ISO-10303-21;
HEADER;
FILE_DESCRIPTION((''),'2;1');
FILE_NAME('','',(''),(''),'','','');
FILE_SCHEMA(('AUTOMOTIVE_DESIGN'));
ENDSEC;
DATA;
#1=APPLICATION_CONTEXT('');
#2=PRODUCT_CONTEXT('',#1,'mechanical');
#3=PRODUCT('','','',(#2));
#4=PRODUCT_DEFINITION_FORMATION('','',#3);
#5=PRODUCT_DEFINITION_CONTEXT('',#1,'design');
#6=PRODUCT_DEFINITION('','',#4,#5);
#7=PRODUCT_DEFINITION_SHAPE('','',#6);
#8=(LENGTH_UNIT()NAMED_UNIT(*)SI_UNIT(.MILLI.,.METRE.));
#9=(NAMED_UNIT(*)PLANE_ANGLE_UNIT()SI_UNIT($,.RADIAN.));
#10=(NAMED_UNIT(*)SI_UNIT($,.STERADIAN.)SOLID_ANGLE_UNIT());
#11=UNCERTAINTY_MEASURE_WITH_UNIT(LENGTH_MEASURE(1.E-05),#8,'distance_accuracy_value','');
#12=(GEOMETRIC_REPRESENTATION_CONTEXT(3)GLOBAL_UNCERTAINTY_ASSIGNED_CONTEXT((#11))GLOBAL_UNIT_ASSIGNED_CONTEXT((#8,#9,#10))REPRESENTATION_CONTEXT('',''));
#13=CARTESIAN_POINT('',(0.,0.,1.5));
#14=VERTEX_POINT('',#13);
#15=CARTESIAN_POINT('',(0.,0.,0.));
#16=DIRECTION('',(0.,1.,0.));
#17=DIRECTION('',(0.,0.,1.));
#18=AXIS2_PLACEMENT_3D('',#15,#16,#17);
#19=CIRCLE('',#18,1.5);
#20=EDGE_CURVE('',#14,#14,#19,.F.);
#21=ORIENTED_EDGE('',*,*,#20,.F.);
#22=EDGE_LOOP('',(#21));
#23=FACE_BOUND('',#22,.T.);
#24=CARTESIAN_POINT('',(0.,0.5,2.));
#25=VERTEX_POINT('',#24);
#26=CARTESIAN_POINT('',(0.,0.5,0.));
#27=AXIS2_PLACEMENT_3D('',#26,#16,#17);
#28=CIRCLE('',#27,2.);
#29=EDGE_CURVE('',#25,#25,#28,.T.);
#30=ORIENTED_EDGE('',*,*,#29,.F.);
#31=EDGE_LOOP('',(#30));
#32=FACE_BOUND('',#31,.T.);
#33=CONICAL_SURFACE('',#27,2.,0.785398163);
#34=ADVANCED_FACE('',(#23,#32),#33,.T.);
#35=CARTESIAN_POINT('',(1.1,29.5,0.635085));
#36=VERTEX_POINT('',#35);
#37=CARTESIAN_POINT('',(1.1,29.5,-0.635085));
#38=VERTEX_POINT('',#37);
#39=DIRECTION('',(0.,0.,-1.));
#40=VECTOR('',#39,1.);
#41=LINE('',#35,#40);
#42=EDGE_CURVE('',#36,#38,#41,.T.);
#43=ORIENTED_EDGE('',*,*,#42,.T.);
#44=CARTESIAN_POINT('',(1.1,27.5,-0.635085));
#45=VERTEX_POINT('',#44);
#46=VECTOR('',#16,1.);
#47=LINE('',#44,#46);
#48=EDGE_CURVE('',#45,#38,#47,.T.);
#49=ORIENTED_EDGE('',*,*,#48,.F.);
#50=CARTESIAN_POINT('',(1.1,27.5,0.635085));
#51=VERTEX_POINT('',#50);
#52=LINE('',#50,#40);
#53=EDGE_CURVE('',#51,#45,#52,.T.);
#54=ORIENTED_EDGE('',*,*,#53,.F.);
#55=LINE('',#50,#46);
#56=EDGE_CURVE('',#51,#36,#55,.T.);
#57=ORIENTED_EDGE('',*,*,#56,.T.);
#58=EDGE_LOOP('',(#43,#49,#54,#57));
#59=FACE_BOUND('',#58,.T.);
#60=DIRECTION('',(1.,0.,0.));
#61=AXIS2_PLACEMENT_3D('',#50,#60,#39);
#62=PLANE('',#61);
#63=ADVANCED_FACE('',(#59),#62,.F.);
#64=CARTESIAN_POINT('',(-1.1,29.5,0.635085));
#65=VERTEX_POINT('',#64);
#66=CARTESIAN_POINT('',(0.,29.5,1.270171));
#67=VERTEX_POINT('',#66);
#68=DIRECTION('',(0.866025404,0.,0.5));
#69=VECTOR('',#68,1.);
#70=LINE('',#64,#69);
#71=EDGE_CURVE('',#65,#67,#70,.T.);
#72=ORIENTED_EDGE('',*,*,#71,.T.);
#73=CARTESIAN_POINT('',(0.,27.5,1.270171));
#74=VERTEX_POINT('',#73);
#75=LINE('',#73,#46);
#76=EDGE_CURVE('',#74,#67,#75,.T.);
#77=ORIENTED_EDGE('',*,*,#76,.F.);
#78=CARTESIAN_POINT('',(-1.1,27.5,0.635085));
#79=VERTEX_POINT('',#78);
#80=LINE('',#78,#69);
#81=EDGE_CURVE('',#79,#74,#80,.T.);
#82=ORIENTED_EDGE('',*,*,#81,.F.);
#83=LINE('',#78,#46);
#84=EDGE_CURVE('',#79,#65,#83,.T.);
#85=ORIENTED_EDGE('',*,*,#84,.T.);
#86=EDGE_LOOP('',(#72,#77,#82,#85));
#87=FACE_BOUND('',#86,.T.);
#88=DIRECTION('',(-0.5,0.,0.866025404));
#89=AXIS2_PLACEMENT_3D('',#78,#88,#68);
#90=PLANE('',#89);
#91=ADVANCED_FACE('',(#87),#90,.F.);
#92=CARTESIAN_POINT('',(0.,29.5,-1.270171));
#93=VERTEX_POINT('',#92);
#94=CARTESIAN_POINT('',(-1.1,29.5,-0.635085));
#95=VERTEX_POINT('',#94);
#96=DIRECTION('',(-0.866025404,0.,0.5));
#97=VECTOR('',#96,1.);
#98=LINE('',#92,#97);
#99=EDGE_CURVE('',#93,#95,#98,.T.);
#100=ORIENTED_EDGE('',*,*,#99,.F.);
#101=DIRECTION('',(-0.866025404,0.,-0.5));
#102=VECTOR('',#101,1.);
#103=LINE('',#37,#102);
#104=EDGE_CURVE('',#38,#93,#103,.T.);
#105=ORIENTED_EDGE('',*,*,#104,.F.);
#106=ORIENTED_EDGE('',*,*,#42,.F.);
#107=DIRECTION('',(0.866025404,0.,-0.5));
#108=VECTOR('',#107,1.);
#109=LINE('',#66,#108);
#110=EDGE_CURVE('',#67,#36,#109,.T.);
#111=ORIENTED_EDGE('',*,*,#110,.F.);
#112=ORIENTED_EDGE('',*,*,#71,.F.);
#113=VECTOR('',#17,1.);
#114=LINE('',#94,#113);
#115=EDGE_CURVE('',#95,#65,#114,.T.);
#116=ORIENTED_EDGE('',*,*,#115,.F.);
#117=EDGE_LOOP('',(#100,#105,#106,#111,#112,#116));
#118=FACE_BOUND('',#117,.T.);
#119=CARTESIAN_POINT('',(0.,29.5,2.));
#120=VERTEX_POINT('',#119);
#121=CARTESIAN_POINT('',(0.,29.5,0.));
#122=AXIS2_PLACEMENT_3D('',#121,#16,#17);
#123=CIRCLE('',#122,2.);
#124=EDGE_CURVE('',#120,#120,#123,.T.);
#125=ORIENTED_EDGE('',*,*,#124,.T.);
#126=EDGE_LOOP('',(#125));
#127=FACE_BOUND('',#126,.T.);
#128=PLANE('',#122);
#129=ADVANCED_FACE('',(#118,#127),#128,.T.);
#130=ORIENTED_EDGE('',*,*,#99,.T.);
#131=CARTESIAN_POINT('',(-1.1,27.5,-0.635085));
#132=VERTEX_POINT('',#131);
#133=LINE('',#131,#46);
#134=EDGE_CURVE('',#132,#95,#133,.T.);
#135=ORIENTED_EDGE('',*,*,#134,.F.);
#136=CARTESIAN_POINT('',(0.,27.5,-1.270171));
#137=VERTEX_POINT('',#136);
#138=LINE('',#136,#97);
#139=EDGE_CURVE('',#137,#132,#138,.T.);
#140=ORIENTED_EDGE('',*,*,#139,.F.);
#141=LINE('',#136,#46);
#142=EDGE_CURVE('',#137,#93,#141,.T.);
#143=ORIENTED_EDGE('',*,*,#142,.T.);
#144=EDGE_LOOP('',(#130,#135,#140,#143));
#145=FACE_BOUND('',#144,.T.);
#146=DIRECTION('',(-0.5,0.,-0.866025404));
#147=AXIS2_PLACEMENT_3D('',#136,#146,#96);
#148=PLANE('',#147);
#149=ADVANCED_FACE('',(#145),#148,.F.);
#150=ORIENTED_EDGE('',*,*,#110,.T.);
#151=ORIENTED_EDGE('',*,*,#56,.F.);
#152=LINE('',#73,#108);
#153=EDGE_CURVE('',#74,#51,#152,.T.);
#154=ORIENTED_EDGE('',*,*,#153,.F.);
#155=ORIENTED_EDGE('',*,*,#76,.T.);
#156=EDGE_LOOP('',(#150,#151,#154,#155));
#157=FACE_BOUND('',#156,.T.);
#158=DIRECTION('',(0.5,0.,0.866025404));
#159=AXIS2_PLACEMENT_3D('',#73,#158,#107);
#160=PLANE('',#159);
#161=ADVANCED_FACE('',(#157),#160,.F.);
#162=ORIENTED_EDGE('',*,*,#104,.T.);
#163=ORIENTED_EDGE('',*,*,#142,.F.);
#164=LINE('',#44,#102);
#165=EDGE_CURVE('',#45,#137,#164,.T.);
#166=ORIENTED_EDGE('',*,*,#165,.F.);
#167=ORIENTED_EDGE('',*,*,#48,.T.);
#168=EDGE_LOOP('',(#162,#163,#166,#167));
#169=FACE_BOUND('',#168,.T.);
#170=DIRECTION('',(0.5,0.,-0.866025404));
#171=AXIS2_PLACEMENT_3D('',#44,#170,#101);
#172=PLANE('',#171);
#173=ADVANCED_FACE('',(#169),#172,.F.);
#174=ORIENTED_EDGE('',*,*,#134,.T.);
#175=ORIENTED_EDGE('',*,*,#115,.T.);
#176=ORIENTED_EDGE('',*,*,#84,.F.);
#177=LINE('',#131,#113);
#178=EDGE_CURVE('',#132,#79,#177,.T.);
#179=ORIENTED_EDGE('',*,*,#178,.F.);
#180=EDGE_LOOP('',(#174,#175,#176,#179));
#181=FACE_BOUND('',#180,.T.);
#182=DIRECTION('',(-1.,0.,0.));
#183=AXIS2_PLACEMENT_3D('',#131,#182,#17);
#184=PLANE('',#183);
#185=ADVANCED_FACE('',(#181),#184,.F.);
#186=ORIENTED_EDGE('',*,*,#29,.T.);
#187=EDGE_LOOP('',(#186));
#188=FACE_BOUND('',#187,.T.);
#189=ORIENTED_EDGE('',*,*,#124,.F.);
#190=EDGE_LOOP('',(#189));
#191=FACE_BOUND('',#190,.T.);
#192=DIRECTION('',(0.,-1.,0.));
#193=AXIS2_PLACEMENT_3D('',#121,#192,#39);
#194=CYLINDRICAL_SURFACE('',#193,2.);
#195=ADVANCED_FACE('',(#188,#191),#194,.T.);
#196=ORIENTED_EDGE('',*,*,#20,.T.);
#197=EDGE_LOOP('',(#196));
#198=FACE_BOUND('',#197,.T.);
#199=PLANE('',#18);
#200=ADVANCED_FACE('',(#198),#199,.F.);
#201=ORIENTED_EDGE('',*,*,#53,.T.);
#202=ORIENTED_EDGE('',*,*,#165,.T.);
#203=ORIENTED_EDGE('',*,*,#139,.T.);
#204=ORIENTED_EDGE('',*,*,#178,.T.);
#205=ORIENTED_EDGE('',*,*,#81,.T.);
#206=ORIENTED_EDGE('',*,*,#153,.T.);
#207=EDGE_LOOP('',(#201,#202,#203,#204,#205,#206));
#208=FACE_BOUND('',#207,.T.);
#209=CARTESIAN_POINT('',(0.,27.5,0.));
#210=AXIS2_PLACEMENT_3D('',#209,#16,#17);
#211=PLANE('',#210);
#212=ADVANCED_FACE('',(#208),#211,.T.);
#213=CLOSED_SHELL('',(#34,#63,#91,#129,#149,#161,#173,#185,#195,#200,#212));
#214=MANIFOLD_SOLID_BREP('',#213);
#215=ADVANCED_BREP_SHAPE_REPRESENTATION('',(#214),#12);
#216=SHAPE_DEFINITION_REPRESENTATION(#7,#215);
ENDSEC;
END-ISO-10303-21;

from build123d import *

# Parameters (mm, degrees)
SKETCH1_R           = 2
BOSS_EXTRUDE1_DEPTH = 29.5
CHAMFER1_SIZE       = 0.5
CUT_EXTRUDE1_DEPTH  = 2


with BuildPart() as part:
    # Sketch1 → Boss-Extrude1 (new body)
    with BuildSketch(Plane(origin=(0, 0, 0), x_dir=(1, 0, 0), z_dir=(0, 1, 0))):
        Circle(SKETCH1_R)
    extrude(amount=BOSS_EXTRUDE1_DEPTH)

    # Chamfer1
    chamfer1_edges = [part.edges().sort_by_distance(p)[0] for p in [
        (-2, 0, 0),
    ]]
    chamfer(chamfer1_edges, length=CHAMFER1_SIZE)

    # Sketch2 → Cut-Extrude1 (cut)
    with BuildSketch(Plane(origin=(0, 29.5, 0), x_dir=(1, 0, 0), z_dir=(0, 1, 0))):
        Polygon((1.1, 0.635085296), (0, 1.270170592), (-1.1, 0.635085296), (-1.1, -0.635085296), (0, -1.270170592), (1.1, -0.635085296), align=None)
    extrude(amount=-CUT_EXTRUDE1_DEPTH, mode=Mode.SUBTRACT)


solid = part.part
